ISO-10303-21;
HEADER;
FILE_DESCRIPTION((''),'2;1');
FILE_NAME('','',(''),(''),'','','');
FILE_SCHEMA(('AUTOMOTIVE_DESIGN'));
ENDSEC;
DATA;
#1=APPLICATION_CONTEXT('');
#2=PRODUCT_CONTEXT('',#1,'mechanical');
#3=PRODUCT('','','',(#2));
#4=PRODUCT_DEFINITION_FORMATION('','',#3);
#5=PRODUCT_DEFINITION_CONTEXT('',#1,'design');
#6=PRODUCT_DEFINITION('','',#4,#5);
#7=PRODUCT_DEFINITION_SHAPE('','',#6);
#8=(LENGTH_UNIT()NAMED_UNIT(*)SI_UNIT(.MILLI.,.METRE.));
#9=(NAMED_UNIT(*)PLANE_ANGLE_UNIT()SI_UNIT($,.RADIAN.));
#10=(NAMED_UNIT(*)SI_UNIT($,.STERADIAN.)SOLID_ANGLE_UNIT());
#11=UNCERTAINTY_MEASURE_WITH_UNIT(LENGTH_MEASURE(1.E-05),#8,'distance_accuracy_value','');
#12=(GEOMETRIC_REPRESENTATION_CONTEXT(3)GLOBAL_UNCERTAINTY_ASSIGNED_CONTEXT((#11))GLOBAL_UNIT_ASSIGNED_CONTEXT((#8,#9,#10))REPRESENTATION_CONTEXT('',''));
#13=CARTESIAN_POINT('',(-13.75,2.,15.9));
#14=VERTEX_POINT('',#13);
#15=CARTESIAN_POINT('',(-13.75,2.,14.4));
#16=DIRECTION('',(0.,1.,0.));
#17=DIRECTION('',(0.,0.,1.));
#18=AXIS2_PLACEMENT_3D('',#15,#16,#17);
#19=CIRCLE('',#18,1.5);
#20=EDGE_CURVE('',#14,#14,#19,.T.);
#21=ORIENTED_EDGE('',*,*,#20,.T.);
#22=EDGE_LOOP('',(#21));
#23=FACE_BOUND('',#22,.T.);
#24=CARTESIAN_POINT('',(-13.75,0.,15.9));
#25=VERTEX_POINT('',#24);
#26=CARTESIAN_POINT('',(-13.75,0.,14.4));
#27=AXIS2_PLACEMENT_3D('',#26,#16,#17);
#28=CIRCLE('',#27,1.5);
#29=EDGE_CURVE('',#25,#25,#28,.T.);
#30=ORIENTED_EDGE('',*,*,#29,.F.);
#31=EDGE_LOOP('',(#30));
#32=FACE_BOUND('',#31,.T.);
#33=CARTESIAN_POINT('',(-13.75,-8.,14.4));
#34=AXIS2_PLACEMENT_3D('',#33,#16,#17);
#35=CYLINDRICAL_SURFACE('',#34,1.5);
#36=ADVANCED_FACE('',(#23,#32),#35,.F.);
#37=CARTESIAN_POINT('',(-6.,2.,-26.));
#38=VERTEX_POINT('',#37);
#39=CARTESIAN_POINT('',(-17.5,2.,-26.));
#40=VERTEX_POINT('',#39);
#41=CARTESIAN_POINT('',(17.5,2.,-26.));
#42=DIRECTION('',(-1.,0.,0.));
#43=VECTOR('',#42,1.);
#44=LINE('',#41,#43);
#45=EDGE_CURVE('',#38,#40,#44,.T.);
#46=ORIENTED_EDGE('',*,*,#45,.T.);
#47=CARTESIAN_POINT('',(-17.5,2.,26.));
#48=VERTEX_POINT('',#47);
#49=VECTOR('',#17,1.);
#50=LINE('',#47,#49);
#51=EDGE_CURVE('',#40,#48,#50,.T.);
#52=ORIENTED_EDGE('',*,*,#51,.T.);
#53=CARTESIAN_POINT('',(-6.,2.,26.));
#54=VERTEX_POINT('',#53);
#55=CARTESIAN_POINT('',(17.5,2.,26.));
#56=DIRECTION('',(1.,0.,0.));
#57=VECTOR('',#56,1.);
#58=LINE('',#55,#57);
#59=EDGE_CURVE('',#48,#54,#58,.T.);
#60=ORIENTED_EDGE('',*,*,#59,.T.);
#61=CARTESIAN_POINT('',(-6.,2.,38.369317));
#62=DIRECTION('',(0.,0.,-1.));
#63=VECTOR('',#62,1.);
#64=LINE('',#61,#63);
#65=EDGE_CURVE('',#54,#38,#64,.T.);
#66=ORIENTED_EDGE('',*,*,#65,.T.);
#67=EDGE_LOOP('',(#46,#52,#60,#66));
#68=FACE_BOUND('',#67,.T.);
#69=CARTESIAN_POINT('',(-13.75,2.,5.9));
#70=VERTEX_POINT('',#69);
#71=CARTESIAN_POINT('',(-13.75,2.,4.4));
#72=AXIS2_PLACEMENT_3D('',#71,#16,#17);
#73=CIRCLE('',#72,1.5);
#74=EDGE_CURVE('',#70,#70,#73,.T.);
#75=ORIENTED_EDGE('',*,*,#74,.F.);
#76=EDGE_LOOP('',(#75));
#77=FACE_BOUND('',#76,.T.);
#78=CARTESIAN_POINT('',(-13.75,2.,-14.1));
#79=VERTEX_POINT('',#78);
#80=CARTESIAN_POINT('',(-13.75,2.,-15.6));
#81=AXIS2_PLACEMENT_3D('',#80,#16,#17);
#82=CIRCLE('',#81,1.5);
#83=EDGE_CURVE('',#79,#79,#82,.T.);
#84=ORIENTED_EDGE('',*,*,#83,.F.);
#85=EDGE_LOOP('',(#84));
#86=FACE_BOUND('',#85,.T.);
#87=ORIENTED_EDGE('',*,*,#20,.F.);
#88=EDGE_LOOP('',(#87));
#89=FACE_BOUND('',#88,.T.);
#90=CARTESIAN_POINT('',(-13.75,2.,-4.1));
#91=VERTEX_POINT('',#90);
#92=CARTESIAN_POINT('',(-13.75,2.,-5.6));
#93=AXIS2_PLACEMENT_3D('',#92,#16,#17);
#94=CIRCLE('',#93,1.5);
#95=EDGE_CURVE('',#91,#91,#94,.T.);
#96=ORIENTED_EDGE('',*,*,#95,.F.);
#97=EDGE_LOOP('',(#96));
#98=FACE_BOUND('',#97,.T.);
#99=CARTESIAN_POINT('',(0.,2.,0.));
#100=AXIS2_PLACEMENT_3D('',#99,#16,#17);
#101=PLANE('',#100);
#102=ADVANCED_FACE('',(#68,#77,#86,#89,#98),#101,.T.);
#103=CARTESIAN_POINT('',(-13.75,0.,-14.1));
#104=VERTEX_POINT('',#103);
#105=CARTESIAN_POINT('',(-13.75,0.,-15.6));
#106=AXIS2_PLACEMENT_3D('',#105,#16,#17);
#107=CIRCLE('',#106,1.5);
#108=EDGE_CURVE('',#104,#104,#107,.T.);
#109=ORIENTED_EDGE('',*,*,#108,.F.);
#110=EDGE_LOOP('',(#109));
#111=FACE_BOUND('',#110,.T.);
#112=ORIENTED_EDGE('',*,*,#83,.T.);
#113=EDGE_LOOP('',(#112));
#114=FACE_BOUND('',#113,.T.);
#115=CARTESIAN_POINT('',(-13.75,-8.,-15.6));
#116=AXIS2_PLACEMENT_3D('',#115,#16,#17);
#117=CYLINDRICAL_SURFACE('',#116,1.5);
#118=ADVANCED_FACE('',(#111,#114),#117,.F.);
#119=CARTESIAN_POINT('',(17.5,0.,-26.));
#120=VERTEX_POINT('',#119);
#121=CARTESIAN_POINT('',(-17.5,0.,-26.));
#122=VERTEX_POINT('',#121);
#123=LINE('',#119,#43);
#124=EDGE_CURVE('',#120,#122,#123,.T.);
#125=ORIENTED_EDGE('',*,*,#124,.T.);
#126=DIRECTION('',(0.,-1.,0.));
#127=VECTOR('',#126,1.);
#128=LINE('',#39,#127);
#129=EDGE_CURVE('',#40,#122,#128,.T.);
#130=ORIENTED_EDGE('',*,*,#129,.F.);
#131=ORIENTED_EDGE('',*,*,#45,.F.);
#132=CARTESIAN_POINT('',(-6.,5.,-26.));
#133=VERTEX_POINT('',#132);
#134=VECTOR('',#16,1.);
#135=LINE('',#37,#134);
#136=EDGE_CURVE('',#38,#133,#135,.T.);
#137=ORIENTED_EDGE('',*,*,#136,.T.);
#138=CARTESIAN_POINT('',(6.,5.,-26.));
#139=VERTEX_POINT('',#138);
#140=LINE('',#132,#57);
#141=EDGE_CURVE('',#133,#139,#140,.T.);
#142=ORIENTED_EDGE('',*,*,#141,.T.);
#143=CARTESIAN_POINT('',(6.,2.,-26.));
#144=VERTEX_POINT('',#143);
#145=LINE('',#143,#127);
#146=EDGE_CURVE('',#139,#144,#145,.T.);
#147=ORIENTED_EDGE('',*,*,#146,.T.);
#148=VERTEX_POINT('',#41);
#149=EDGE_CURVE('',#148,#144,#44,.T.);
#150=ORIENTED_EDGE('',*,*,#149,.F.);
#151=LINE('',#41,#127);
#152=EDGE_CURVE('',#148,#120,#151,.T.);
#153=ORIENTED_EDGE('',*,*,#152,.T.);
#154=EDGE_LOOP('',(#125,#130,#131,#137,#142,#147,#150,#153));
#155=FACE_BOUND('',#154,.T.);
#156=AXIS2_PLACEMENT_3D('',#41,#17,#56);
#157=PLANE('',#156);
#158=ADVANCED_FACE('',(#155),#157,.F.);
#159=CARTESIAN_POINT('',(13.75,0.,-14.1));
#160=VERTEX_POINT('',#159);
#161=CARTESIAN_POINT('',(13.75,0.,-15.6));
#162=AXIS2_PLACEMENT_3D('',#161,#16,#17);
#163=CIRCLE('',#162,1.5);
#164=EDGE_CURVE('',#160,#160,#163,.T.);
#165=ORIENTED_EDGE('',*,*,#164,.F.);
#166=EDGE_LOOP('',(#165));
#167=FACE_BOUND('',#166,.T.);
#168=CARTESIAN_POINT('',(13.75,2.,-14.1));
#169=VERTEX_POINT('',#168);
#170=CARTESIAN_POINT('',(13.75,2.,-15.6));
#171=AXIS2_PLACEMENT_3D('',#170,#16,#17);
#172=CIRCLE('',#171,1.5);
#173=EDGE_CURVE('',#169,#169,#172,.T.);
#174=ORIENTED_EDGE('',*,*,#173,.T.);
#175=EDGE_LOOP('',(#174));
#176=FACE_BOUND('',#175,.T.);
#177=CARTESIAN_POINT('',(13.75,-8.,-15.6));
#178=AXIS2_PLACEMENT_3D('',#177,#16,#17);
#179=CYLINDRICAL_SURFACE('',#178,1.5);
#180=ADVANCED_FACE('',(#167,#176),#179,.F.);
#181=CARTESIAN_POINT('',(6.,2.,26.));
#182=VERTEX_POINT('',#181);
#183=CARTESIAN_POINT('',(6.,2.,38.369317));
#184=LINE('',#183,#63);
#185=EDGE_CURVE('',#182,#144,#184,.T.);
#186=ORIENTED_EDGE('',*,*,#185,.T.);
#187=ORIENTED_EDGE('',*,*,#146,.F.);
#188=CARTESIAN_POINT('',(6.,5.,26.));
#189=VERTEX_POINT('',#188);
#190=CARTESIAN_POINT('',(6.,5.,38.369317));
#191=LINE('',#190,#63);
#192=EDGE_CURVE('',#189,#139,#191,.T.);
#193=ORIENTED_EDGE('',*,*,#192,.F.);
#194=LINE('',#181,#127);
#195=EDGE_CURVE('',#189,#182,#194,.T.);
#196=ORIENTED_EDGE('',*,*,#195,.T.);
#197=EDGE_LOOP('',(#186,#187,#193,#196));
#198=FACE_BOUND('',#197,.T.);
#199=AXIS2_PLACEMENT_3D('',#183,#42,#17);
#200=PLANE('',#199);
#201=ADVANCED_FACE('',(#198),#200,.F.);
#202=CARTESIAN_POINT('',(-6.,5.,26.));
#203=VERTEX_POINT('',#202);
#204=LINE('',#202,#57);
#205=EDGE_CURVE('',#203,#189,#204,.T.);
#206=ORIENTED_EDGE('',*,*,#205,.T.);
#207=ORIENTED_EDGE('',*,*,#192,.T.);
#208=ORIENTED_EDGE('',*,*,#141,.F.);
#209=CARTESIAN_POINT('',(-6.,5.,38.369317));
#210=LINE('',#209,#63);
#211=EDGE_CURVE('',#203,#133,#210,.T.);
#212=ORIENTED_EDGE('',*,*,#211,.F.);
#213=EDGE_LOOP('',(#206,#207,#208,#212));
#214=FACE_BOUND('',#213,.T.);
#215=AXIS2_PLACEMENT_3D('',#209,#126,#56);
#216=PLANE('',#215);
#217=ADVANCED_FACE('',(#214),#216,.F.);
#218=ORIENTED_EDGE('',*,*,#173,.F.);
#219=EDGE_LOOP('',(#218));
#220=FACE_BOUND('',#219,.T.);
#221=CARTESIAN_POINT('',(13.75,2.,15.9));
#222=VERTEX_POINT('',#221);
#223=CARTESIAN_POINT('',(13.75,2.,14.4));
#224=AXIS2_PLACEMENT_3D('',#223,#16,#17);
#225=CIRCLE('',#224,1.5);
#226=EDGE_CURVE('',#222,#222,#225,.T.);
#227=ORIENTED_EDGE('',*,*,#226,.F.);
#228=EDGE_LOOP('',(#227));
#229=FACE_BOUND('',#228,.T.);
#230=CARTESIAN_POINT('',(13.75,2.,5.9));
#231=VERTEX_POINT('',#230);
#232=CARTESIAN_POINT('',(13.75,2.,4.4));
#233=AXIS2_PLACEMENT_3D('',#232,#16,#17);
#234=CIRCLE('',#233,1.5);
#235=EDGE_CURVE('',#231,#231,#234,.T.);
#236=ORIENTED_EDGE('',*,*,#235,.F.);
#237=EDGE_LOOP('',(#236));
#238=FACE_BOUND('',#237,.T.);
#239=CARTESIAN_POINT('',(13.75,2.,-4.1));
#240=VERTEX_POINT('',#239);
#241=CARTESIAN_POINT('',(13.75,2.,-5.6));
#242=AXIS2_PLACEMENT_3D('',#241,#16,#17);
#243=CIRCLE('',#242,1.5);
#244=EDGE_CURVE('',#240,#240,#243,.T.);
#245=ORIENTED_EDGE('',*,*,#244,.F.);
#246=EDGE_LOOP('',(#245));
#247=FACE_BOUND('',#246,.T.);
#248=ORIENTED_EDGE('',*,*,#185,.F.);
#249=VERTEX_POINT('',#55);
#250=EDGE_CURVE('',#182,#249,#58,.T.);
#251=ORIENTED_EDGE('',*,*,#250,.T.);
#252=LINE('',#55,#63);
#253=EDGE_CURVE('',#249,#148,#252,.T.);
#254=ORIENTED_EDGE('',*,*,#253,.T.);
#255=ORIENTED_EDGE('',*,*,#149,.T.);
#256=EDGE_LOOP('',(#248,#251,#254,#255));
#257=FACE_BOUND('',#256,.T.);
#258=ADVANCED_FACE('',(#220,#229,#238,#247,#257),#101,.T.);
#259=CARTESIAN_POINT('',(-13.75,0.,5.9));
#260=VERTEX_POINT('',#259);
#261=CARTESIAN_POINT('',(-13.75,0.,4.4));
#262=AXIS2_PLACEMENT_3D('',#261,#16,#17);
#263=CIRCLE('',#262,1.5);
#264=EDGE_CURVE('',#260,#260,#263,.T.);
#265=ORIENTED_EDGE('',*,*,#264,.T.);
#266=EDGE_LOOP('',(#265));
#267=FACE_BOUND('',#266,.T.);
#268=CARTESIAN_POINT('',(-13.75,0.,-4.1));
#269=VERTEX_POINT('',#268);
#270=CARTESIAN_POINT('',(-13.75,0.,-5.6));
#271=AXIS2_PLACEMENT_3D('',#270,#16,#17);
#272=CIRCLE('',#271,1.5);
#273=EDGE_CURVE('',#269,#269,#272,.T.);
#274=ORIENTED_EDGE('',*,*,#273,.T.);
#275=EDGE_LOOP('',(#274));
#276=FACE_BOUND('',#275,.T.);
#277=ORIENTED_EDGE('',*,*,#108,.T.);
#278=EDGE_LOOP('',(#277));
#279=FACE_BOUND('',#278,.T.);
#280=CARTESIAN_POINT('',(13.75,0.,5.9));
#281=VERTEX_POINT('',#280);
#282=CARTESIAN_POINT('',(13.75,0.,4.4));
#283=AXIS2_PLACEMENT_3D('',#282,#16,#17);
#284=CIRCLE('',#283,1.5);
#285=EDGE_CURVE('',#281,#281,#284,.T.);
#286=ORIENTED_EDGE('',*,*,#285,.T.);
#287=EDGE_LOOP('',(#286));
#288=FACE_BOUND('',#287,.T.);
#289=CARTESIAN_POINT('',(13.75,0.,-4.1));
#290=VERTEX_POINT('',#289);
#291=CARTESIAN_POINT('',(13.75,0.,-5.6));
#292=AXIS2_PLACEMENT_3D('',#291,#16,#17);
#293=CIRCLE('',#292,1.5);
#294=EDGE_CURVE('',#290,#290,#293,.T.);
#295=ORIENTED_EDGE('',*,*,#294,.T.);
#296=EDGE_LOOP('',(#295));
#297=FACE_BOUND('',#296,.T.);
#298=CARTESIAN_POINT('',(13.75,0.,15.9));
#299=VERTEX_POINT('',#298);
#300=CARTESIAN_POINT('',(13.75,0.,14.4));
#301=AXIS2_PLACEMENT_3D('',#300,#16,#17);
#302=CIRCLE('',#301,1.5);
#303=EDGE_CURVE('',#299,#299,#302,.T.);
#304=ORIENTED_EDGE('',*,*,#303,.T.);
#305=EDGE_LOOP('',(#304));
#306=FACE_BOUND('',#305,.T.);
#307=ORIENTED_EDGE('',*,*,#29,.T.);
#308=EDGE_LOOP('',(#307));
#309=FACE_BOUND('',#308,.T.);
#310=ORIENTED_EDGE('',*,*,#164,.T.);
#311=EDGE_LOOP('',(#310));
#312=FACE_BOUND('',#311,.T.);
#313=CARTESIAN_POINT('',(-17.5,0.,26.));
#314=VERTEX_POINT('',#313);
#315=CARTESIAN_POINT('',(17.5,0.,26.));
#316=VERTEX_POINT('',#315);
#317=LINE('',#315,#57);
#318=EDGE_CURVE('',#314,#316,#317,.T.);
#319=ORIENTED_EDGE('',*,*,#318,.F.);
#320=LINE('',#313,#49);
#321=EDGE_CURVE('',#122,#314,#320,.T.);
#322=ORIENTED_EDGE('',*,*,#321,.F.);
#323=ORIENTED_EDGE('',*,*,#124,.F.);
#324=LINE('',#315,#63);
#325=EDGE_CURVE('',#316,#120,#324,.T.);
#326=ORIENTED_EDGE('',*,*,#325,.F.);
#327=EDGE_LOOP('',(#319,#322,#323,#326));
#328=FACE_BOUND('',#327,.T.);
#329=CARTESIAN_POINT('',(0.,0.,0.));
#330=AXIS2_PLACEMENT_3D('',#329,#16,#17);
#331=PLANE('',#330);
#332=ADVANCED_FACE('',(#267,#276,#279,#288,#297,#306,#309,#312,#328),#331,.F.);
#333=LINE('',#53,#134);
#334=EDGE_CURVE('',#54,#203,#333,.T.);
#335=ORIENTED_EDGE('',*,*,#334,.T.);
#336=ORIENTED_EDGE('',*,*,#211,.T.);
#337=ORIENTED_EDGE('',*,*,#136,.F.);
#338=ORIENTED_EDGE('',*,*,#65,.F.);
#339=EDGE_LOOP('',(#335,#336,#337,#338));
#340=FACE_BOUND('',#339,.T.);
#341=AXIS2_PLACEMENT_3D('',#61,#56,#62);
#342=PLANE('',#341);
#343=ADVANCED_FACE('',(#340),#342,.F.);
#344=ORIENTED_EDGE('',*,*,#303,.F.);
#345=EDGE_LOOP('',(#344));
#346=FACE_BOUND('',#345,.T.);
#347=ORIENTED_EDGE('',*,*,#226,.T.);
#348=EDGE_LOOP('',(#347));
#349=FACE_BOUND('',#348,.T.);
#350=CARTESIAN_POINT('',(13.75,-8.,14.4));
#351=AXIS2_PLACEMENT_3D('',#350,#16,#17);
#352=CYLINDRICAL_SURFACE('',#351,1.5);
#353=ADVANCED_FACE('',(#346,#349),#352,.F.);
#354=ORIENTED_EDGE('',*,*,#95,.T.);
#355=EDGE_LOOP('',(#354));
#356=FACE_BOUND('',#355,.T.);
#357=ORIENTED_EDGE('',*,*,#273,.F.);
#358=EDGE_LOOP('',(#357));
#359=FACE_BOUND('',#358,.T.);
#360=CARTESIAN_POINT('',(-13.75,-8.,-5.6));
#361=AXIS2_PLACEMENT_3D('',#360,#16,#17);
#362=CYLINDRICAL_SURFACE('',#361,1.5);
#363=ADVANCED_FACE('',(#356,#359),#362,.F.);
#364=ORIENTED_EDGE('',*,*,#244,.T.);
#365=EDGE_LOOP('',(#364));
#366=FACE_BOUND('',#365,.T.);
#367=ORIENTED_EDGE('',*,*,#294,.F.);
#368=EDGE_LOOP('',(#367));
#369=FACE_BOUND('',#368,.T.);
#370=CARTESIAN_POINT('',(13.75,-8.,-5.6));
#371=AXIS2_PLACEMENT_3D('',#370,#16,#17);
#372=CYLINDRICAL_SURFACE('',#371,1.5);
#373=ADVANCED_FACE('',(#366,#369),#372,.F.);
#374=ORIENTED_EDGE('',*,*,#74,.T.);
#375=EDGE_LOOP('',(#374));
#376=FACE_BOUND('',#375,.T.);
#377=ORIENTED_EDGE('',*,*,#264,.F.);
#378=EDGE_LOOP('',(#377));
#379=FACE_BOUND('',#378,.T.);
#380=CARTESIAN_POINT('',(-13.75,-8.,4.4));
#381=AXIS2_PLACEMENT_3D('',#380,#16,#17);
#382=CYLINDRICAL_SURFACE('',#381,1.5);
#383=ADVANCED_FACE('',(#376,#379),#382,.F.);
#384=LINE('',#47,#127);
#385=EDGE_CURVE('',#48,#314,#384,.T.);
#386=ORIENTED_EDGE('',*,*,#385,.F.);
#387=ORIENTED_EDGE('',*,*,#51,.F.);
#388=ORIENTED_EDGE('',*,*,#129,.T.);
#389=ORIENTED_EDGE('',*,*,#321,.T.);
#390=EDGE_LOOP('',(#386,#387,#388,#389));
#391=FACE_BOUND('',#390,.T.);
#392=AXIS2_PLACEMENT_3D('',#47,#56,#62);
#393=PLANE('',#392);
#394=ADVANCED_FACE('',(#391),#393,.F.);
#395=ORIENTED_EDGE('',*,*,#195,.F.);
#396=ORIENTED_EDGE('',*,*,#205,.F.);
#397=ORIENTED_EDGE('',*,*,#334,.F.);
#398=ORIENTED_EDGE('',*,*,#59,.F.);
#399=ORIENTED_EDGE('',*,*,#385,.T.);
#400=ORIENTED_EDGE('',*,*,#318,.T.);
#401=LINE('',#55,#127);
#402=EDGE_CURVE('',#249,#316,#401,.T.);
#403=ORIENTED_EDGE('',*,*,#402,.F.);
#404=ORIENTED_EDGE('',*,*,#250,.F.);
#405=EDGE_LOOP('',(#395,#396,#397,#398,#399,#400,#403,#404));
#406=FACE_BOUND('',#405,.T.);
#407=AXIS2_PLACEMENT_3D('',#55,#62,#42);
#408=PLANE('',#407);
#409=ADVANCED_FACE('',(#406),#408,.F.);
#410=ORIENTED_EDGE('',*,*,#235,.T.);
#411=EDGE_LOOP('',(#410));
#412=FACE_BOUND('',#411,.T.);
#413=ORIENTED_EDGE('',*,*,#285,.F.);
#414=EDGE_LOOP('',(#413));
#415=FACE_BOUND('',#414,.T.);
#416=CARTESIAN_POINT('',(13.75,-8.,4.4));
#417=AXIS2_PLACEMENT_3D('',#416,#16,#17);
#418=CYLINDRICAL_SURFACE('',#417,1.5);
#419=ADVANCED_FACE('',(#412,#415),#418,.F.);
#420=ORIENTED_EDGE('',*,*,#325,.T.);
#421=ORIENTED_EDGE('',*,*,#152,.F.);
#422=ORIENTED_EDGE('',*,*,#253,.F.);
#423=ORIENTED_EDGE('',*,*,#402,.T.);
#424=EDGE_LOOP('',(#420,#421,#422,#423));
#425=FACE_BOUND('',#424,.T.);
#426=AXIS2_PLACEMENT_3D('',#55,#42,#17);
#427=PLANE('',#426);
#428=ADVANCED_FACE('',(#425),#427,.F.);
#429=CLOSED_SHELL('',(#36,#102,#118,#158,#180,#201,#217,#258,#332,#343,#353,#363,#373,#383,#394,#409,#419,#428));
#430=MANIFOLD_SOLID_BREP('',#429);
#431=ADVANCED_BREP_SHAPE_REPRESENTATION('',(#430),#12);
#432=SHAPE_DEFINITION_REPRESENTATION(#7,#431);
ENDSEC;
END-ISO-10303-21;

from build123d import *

# Parameters (mm, degrees)
SKETCH_1_W                  = 35
SKETCH_1_H                  = 52
EXTRUDE_1_DEPTH             = 2
EXTRUDE_2_REACH             = 33.405
SKETCH_2_W                  = 12
SKETCH_2_H                  = 3
EXTRUDE_2_DIRECTION_2_REACH = 33.405
SKETCH_3_R                  = 1.5
CUT_EXTRUDE_1_DEPTH         = 10


with BuildPart() as part:
    # Эскиз1 → Бобышка-Вытянуть1 (new body)
    with BuildSketch(Plane(origin=(0, 0, 0), x_dir=(1, 0, 0), z_dir=(0, 1, 0))):
        Rectangle(SKETCH_1_W, SKETCH_1_H)
    extrude(amount=EXTRUDE_1_DEPTH)

    # Бобышка-Вытянуть2: up to this face of the body (flat: up to its plane)
    extrude_2_end = Plane(part.part.faces().sort_by_distance((0, 1, 26))[0])
    # Эскиз2 → Бобышка-Вытянуть2 (add, up to the picked face)
    with BuildSketch(Plane.XY, mode=Mode.PRIVATE) as extrude_2_sk1:
        with Locations((0, 3.5)):
            Rectangle(SKETCH_2_W, SKETCH_2_H)
    extrude_2_tool1 = split(extrude(extrude_2_sk1.sketch, amount=EXTRUDE_2_REACH, mode=Mode.PRIVATE), bisect_by=extrude_2_end, keep=Keep.BOTH, mode=Mode.PRIVATE)
    add(extrude_2_tool1.solids().sort_by(Axis((0, 3.5, 0), (0, 0, 1)))[0])

    # Бобышка-Вытянуть2 direction 2: up to this face of the body (flat: up to its plane)
    extrude_2_direction_2_end = Plane(part.part.faces().sort_by_distance((0, 1, -26))[0])
    # Эскиз2 → Бобышка-Вытянуть2 direction 2 (add, up to the picked face)
    with BuildSketch(Plane.XY, mode=Mode.PRIVATE) as extrude_2_direction_2_sk1:
        with Locations((0, 3.5)):
            Rectangle(SKETCH_2_W, SKETCH_2_H)
    extrude_2_direction_2_tool1 = split(extrude(extrude_2_direction_2_sk1.sketch, amount=-EXTRUDE_2_DIRECTION_2_REACH, mode=Mode.PRIVATE), bisect_by=extrude_2_direction_2_end, keep=Keep.BOTH, mode=Mode.PRIVATE)
    add(extrude_2_direction_2_tool1.solids().sort_by(Axis((0, 3.5, 0), (0, 0, -1)))[0])

    # Эскиз3 → Вырез-Вытянуть1 (cut)
    with BuildSketch(Plane(origin=(0, 2, 0), x_dir=(1, 0, 0), z_dir=(0, 1, 0))):
        with Locations(Location((13.75, 15.6, 0), (0, 0, 270))):
            Circle(SKETCH_3_R)
        with Locations(Location((-13.75, 15.6, 0), (0, 0, 270))):
            Circle(SKETCH_3_R)
        with Locations(Location((-13.75, 5.6, 0), (0, 0, 270))):
            Circle(SKETCH_3_R)
        with Locations(Location((13.75, 5.6, 0), (0, 0, 270))):
            Circle(SKETCH_3_R)
        with Locations(Location((-13.75, -4.4, 0), (0, 0, 270))):
            Circle(SKETCH_3_R)
        with Locations(Location((13.75, -4.4, 0), (0, 0, 270))):
            Circle(SKETCH_3_R)
        with Locations(Location((-13.75, -14.4, 0), (0, 0, 270))):
            Circle(SKETCH_3_R)
        with Locations(Location((13.75, -14.4, 0), (0, 0, 270))):
            Circle(SKETCH_3_R)
    extrude(amount=-CUT_EXTRUDE_1_DEPTH, mode=Mode.SUBTRACT)


solid = part.part
